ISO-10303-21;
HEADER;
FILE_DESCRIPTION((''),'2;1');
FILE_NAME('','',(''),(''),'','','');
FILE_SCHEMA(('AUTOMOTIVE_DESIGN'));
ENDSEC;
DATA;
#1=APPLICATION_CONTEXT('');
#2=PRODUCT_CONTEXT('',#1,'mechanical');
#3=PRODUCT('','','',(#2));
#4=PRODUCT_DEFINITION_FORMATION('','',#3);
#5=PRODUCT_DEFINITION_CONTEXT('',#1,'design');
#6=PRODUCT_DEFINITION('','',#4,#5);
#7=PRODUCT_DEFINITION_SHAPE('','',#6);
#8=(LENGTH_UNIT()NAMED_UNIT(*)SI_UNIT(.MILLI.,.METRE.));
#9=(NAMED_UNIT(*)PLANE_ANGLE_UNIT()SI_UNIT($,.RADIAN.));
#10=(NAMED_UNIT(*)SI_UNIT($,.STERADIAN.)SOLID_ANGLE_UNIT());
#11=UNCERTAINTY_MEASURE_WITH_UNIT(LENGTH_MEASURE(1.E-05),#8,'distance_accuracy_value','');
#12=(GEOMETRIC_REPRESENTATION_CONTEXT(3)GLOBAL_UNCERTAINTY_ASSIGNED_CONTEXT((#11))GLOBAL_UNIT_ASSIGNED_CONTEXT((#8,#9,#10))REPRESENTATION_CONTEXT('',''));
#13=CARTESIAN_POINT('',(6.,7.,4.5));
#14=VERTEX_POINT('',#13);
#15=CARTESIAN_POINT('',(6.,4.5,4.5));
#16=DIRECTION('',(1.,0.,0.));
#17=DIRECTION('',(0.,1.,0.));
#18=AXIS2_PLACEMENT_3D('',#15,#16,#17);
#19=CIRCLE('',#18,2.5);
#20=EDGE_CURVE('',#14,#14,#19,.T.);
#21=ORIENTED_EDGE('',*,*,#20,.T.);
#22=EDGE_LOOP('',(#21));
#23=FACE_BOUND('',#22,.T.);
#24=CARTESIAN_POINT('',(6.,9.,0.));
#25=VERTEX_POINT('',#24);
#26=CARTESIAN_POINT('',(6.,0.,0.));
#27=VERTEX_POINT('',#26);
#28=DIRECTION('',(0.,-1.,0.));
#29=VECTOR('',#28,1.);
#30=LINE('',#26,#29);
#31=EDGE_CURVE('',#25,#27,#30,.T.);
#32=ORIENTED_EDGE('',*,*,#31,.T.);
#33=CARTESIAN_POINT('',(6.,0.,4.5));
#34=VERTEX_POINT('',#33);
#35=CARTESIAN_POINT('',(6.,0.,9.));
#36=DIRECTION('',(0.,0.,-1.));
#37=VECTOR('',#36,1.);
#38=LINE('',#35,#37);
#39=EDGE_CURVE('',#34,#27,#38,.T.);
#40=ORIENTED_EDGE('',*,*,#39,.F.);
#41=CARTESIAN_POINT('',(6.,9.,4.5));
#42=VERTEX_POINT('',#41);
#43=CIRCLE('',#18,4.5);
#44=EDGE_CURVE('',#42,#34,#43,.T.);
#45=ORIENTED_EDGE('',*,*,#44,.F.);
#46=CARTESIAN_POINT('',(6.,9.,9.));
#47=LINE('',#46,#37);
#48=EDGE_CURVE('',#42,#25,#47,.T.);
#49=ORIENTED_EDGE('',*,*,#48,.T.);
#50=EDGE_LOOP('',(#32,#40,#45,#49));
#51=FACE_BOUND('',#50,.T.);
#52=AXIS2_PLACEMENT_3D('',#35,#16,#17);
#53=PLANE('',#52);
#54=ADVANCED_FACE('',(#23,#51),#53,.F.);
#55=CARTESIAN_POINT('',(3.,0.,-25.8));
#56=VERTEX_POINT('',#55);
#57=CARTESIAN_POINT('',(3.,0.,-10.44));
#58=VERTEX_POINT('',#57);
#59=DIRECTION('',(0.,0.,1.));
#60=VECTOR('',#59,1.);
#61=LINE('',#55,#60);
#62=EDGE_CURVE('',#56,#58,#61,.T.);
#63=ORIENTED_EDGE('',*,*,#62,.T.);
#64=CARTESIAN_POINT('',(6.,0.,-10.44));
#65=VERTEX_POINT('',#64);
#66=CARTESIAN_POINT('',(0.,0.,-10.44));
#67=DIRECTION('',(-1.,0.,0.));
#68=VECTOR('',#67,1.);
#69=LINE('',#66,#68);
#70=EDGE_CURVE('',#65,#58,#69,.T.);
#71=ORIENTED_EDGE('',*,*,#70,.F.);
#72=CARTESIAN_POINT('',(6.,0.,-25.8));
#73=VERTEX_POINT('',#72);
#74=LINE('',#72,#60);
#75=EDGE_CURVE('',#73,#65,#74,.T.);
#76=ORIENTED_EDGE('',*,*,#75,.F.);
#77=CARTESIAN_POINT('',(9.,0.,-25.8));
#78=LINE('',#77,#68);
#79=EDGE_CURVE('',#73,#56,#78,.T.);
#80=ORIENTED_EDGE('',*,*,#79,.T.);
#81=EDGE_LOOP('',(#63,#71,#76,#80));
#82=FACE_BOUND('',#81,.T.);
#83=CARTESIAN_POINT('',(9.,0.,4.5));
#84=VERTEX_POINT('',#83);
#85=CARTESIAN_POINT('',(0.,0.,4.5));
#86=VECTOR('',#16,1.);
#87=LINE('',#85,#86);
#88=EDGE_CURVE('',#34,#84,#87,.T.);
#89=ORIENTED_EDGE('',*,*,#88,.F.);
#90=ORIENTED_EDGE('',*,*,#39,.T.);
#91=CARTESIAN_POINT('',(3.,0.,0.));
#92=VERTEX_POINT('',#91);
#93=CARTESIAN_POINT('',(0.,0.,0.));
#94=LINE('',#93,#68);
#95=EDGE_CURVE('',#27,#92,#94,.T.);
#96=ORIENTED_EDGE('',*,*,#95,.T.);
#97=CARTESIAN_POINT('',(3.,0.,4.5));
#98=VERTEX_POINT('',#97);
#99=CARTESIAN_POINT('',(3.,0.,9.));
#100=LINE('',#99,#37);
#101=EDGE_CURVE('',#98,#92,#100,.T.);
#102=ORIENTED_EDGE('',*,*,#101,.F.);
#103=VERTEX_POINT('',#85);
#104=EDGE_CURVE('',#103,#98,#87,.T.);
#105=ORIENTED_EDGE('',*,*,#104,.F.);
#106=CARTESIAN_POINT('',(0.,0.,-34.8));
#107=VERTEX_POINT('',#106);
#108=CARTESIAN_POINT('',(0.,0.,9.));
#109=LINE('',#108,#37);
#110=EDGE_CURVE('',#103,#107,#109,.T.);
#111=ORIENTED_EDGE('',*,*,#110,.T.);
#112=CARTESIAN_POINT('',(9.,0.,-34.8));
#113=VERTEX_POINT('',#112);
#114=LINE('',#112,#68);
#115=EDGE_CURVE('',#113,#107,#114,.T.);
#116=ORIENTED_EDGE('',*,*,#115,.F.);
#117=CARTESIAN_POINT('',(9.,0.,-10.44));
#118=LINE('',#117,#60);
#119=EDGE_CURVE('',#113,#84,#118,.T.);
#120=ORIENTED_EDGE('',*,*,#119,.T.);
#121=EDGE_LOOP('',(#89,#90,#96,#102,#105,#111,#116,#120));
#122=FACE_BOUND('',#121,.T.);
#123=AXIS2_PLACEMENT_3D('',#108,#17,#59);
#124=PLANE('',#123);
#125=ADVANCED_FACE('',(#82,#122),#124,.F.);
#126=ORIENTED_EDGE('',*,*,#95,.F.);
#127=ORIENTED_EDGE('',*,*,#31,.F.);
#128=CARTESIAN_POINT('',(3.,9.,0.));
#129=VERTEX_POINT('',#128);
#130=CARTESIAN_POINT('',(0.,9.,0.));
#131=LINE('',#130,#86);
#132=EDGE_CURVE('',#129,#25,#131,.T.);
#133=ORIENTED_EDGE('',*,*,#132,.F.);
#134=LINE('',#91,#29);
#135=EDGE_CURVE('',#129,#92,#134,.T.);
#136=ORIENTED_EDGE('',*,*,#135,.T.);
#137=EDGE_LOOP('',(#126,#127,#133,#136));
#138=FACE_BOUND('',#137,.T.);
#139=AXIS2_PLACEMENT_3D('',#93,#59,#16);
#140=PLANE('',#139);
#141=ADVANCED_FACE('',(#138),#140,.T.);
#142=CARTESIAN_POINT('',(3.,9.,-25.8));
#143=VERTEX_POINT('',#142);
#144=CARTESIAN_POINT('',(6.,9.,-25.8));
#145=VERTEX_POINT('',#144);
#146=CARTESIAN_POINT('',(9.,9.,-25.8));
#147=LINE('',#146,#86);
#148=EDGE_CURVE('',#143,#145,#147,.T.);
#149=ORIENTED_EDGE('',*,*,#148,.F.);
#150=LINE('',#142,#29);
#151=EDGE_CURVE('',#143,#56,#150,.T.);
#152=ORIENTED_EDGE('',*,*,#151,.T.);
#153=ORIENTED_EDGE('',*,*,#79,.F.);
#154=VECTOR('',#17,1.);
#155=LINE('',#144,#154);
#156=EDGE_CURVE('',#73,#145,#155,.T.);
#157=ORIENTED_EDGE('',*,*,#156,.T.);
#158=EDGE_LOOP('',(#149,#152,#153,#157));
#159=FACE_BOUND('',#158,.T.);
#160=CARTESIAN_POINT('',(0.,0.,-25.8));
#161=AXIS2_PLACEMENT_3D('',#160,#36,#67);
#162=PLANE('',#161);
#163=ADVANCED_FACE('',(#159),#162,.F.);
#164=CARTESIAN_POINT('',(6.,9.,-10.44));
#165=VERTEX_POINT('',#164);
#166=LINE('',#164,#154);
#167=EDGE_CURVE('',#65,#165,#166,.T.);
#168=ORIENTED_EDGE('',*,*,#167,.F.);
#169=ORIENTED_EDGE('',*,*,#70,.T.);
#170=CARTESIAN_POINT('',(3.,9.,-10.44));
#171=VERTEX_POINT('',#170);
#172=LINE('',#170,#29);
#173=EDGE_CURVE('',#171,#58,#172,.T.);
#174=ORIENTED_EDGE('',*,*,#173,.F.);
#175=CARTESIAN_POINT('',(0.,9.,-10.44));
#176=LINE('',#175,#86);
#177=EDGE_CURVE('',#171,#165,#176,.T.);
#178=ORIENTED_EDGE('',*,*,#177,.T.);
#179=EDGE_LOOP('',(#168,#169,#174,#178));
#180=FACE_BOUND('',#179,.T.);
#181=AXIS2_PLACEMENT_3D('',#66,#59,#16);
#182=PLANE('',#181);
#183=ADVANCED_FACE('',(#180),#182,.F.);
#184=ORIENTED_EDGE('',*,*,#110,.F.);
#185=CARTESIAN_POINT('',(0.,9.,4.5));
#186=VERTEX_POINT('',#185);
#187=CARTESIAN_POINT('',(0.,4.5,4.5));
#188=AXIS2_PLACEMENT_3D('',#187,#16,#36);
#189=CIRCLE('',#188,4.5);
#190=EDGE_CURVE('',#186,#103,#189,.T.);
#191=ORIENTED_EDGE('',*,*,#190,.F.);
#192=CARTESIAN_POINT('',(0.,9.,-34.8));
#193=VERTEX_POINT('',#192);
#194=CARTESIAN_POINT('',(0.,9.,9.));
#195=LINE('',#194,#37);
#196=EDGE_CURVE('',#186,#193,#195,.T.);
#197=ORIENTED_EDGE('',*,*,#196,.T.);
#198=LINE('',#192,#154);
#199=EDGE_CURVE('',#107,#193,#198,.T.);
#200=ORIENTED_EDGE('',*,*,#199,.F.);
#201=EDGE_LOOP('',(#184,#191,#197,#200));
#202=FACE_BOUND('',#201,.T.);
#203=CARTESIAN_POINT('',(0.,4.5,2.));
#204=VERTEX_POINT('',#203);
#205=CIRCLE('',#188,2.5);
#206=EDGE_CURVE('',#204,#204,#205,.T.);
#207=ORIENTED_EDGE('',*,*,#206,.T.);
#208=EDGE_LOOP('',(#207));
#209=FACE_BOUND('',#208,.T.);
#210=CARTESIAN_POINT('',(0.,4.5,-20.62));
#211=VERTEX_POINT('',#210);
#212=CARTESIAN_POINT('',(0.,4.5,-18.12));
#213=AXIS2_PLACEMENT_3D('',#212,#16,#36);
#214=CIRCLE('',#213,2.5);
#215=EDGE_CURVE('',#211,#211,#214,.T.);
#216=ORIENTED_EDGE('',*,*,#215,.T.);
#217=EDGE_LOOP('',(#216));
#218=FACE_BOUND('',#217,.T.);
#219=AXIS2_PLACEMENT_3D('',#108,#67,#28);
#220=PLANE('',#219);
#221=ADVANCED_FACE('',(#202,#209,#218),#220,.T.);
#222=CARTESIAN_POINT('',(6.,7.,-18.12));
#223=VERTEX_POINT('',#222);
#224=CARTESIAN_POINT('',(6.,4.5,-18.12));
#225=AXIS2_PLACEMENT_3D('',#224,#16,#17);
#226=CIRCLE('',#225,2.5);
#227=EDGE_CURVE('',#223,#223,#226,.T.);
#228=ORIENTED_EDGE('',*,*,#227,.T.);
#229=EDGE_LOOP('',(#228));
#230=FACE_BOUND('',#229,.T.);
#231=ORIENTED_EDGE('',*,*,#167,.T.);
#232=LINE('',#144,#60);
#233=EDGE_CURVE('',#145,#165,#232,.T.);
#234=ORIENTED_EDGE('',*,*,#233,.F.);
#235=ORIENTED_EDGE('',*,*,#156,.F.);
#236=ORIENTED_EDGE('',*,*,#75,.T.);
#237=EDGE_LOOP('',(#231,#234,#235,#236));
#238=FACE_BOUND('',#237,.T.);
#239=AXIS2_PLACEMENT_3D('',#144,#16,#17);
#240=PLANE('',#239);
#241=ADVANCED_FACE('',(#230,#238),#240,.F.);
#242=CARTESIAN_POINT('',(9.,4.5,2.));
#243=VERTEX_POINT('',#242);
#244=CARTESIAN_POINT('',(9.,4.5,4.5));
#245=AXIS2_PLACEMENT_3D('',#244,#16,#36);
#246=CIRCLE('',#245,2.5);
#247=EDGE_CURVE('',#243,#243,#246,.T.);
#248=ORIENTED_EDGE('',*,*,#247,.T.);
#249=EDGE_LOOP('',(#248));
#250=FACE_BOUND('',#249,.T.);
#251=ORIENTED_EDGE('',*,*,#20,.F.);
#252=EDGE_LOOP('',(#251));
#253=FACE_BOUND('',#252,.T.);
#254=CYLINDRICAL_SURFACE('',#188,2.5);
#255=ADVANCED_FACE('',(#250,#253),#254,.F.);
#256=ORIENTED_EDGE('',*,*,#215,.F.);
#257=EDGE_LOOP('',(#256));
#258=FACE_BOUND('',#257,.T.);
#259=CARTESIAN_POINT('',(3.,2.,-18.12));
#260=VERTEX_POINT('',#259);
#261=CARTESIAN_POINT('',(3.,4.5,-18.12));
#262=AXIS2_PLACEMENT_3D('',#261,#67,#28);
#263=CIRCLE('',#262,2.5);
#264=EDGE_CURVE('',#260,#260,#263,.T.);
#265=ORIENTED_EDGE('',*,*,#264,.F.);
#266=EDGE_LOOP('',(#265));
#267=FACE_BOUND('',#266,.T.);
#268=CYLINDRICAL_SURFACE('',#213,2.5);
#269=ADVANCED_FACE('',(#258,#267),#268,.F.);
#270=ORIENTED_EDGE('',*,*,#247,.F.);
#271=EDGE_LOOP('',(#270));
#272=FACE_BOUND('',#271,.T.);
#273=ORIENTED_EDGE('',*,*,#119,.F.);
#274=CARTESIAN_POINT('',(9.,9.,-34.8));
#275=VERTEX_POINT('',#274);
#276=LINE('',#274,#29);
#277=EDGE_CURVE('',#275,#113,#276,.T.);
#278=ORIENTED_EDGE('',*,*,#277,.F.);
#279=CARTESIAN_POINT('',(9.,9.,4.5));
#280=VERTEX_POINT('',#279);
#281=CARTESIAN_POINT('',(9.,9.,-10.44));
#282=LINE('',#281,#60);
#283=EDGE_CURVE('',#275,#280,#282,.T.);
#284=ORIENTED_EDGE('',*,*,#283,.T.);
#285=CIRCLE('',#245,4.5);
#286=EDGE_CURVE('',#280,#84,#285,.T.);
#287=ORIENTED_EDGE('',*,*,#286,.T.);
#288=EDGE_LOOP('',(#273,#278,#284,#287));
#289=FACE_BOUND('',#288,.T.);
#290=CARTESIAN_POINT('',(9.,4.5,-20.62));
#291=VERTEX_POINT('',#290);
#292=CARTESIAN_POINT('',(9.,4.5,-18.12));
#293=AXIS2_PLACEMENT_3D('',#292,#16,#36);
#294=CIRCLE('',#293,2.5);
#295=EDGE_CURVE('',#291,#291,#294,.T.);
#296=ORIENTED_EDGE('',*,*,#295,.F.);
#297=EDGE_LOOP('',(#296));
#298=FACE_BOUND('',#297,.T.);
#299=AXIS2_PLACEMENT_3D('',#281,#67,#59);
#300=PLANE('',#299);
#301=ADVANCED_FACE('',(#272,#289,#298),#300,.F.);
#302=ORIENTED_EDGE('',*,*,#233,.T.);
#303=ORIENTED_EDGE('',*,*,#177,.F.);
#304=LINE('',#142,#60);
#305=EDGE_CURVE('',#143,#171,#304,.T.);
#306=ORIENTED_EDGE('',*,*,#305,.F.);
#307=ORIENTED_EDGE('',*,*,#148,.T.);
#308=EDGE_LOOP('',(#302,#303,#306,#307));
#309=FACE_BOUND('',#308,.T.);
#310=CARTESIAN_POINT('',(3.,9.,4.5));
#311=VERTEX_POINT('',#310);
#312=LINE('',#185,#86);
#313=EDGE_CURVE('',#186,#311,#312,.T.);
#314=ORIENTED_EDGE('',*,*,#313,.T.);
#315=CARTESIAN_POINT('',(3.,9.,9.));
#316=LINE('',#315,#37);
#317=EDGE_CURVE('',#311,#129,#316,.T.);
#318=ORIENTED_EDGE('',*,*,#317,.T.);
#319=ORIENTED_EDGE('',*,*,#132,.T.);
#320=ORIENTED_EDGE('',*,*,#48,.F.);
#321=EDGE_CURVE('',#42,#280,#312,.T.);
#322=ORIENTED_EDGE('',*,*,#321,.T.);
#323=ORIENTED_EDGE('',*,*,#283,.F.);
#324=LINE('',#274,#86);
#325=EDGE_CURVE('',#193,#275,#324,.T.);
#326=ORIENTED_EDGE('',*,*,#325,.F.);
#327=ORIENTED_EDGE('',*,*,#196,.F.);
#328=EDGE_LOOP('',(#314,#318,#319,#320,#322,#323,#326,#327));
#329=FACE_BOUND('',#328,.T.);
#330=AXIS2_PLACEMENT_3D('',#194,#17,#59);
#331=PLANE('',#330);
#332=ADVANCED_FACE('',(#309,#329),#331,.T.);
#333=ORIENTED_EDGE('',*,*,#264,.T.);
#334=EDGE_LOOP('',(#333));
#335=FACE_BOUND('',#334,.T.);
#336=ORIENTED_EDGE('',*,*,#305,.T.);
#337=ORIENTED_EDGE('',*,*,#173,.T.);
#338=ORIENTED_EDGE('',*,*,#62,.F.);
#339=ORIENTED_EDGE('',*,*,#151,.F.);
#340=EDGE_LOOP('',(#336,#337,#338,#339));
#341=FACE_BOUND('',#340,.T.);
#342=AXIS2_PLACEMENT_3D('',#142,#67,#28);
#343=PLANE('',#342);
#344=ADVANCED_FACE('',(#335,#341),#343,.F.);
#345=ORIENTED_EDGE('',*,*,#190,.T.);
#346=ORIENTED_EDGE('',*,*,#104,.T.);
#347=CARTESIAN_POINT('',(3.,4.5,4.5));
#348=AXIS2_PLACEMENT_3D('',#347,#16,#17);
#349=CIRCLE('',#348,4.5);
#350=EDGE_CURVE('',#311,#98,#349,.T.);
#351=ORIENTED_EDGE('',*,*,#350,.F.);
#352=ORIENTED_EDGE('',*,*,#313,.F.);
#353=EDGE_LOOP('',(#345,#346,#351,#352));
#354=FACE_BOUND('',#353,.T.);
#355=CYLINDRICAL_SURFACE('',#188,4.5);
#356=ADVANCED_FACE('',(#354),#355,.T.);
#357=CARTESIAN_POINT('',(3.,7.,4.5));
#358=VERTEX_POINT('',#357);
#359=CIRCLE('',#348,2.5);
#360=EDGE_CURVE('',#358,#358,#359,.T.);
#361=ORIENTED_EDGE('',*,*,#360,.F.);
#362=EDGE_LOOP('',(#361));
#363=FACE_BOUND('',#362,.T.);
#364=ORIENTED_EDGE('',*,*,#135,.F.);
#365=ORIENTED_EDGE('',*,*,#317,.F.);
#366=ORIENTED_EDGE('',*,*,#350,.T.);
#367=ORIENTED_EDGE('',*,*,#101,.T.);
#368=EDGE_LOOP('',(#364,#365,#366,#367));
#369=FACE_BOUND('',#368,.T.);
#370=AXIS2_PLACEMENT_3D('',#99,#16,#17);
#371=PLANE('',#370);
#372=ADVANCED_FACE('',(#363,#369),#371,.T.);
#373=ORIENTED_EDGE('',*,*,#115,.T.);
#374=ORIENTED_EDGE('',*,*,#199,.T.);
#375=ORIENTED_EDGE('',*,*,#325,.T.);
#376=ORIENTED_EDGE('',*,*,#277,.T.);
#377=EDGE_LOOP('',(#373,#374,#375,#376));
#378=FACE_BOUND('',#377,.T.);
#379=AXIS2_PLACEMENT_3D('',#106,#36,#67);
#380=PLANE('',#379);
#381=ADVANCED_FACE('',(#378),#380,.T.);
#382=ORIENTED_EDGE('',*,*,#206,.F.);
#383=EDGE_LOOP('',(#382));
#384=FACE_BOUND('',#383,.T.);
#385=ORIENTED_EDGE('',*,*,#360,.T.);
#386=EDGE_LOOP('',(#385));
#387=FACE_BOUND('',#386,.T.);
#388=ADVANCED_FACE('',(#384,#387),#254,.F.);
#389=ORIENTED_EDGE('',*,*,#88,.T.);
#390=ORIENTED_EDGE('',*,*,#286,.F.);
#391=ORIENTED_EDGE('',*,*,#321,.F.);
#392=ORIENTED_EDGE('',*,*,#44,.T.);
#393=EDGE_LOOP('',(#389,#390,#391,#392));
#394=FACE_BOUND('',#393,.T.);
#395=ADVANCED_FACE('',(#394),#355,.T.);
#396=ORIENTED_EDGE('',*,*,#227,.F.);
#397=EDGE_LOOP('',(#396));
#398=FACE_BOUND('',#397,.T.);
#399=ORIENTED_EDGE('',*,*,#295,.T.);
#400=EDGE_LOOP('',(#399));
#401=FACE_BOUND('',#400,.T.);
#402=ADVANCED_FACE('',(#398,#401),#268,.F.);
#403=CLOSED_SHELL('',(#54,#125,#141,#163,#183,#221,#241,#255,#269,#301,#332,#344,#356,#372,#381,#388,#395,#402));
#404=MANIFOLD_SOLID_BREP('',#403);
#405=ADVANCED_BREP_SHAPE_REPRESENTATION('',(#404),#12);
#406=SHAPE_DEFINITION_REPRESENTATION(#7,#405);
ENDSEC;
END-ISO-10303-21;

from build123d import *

# Parameters (mm, degrees)
SKETCH1_W             = 3
SKETCH1_H             = 9
BOSS_EXTRUDE1_DEPTH   = 9
BOSS_EXTRUDE1_2_DEPTH = 9
SKETCH2_W             = 9
SKETCH2_H             = 9
BOSS_EXTRUDE2_DEPTH   = 10.44
SKETCH3_W             = 3
SKETCH3_H             = 9
BOSS_EXTRUDE3_DEPTH   = 15.36
SKETCH4_W             = 9
SKETCH4_H             = 9
BOSS_EXTRUDE4_DEPTH   = 9
SKETCH5_R             = 2.5
CUT_EXTRUDE1_DEPTH    = 38.054554376
CUT_EXTRUDE5_DEPTH    = 38.054554376


with BuildPart() as part:
    # Sketch1 → Boss-Extrude1 (new body)
    with BuildSketch(Plane.XY):
        with Locations((1.5, 4.5)):
            Rectangle(SKETCH1_W, SKETCH1_H)
    extrude(amount=BOSS_EXTRUDE1_DEPTH)



with BuildPart() as body_2:
    # Sketch1 → Boss-Extrude1 2 (new body)
    with BuildSketch(Plane.XY):
        with Locations((7.5, 4.5)):
            Rectangle(SKETCH1_W, SKETCH1_H)
    extrude(amount=BOSS_EXTRUDE1_2_DEPTH)


with BuildPart() as part_1:
    add(part.part)

    add(body_2.part)  # Boss-Extrude2 merges body 2
    # Sketch2 → Boss-Extrude2 (add)
    with BuildSketch(Plane(origin=(0, 0, 0), x_dir=(-1, 0, 0), z_dir=(0, 0, -1))):
        with Locations((-4.5, 4.5)):
            Rectangle(SKETCH2_W, SKETCH2_H)
    extrude(amount=BOSS_EXTRUDE2_DEPTH)

    # Sketch3 → Boss-Extrude3 (add)
    with BuildSketch(Plane(origin=(0, 0, -10.44), x_dir=(-1, 0, 0), z_dir=(0, 0, -1))):
        with Locations((-7.5, 4.5)):
            Rectangle(SKETCH3_W, SKETCH3_H)
        with Locations((-1.5, 4.5)):
            Rectangle(SKETCH3_W, SKETCH3_H)
    extrude(amount=BOSS_EXTRUDE3_DEPTH)

    # Sketch4 → Boss-Extrude4 (add)
    with BuildSketch(Plane(origin=(0, 0, -25.8), x_dir=(-1, 0, 0), z_dir=(0, 0, -1))):
        with Locations((-4.5, 4.5)):
            Rectangle(SKETCH4_W, SKETCH4_H)
    extrude(amount=BOSS_EXTRUDE4_DEPTH)

    # Sketch5 → Cut-Extrude1 (cut, through all)
    with BuildSketch(Plane(origin=(9, 0, 0), x_dir=(0, 0, -1), z_dir=(1, 0, 0))):
        with Locations((18.12, 4.5)):
            Circle(SKETCH5_R)
    extrude(amount=-CUT_EXTRUDE1_DEPTH, mode=Mode.SUBTRACT)

    # Sketch6 → Cut-Extrude5 (cut, through all)
    with BuildSketch(Plane(origin=(9, 0, 0), x_dir=(0, 0, -1), z_dir=(1, 0, 0))):
        with BuildLine():
            ThreePointArc((-9, 4.5), (-7.681980515, 7.681980515), (-4.5, 9))
            Line((-4.5, 9), (-9, 9))
            Line((-9, 9), (-9, 4.5))
        make_face()
        with BuildLine():
            ThreePointArc((-4.5, 0), (-7.681980515, 1.318019485), (-9, 4.5))
            Line((-9, 4.5), (-9, 0))
            Line((-9, 0), (-4.5, 0))
        make_face()
        with BuildLine():
            ThreePointArc((-2, 4.5), (-2.732233047, 6.267766953), (-4.5, 7))
            Line((-4.5, 7), (-4.5, 2))
            ThreePointArc((-4.5, 2), (-2.732233047, 2.732233047), (-2, 4.5))
        make_face()
        with BuildLine():
            Line((-4.5, 2), (-4.5, 7))
            ThreePointArc((-4.5, 7), (-7, 4.5), (-4.5, 2))
        make_face()
    extrude(amount=-CUT_EXTRUDE5_DEPTH, mode=Mode.SUBTRACT)


solid = part_1.part
